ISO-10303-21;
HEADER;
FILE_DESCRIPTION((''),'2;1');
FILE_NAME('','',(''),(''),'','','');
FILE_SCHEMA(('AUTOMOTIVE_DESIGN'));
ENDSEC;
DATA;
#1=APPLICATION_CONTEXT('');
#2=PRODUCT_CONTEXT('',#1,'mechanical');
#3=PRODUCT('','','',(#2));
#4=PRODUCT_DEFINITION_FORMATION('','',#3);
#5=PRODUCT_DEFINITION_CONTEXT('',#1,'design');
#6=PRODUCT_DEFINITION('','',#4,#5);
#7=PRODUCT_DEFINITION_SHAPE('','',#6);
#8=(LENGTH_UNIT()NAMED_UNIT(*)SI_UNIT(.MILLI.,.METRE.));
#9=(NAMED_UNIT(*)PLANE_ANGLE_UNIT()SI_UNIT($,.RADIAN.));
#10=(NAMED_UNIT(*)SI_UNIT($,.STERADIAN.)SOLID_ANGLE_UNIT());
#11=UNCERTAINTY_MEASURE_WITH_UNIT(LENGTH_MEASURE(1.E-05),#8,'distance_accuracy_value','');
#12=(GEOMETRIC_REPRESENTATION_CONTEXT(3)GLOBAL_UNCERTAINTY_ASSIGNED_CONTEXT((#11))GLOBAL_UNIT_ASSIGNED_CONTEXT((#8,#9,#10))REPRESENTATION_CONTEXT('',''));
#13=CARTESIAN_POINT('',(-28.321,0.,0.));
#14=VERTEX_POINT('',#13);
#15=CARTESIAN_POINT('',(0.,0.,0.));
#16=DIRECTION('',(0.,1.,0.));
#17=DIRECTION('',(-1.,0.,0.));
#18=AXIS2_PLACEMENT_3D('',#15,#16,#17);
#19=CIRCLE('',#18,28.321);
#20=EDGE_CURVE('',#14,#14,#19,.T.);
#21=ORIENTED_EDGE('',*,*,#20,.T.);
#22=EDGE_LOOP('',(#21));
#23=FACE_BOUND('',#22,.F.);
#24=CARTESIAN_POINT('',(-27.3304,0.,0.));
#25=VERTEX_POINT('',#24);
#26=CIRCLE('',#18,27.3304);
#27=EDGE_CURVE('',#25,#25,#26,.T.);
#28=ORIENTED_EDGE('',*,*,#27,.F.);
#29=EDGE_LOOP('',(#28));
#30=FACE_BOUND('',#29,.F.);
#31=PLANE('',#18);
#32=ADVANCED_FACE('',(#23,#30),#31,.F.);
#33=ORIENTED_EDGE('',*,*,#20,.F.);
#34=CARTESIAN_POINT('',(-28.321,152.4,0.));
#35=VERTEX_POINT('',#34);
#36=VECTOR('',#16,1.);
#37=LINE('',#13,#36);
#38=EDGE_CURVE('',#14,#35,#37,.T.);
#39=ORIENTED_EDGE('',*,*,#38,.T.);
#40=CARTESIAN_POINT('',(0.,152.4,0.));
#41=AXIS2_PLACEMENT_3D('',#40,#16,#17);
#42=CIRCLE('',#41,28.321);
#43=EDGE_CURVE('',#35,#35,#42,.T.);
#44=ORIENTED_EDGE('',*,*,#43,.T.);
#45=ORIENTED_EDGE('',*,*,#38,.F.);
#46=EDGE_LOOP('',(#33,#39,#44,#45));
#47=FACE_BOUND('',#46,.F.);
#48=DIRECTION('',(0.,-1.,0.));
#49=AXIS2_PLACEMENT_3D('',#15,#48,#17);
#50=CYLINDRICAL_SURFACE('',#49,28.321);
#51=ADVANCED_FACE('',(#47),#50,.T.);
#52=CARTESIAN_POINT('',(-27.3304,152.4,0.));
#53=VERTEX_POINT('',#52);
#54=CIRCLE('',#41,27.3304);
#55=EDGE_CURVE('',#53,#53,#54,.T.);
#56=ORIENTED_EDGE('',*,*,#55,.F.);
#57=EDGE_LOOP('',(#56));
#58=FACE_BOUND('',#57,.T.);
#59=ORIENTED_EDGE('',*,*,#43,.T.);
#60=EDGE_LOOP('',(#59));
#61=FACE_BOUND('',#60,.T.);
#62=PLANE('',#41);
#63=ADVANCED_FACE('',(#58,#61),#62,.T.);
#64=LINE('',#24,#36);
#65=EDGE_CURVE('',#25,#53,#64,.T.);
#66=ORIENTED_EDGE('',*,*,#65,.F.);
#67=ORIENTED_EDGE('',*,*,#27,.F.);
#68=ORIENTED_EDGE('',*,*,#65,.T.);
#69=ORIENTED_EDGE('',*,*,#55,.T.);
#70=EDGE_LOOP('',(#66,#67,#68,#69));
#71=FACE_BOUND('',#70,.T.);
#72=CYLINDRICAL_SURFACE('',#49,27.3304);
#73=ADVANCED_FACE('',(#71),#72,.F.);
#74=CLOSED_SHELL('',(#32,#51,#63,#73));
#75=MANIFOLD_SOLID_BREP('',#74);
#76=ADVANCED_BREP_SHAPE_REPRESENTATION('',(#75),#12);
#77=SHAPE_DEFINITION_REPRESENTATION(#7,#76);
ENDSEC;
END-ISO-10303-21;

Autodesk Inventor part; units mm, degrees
ref_plane "YZ Plane" through (0, 0, 0) normal (1, 0, 0) x (0, 1, 0)
ref_plane "XZ Plane" through (0, 0, 0) normal (0, 1, 0) x (-1, 0, 0)
ref_plane "XY Plane" through (0, 0, 0) normal (0, 0, 1) x (1, 0, 0)
sketch "Sketch1" plane through (0, 0, 0) normal (0, 1, 0) x (-1, 0, 0)
  circle A0 centre (0, 0) radius 28.321
  circle A1 centre (0, 0) radius 27.3304
  dimension "d0" = 56.642
  dimension "d1" = 54.6608
extrude "Extrusion1" add sketch "Sketch1" along normal blind 152.4
properties part number "G12 thinwall"
